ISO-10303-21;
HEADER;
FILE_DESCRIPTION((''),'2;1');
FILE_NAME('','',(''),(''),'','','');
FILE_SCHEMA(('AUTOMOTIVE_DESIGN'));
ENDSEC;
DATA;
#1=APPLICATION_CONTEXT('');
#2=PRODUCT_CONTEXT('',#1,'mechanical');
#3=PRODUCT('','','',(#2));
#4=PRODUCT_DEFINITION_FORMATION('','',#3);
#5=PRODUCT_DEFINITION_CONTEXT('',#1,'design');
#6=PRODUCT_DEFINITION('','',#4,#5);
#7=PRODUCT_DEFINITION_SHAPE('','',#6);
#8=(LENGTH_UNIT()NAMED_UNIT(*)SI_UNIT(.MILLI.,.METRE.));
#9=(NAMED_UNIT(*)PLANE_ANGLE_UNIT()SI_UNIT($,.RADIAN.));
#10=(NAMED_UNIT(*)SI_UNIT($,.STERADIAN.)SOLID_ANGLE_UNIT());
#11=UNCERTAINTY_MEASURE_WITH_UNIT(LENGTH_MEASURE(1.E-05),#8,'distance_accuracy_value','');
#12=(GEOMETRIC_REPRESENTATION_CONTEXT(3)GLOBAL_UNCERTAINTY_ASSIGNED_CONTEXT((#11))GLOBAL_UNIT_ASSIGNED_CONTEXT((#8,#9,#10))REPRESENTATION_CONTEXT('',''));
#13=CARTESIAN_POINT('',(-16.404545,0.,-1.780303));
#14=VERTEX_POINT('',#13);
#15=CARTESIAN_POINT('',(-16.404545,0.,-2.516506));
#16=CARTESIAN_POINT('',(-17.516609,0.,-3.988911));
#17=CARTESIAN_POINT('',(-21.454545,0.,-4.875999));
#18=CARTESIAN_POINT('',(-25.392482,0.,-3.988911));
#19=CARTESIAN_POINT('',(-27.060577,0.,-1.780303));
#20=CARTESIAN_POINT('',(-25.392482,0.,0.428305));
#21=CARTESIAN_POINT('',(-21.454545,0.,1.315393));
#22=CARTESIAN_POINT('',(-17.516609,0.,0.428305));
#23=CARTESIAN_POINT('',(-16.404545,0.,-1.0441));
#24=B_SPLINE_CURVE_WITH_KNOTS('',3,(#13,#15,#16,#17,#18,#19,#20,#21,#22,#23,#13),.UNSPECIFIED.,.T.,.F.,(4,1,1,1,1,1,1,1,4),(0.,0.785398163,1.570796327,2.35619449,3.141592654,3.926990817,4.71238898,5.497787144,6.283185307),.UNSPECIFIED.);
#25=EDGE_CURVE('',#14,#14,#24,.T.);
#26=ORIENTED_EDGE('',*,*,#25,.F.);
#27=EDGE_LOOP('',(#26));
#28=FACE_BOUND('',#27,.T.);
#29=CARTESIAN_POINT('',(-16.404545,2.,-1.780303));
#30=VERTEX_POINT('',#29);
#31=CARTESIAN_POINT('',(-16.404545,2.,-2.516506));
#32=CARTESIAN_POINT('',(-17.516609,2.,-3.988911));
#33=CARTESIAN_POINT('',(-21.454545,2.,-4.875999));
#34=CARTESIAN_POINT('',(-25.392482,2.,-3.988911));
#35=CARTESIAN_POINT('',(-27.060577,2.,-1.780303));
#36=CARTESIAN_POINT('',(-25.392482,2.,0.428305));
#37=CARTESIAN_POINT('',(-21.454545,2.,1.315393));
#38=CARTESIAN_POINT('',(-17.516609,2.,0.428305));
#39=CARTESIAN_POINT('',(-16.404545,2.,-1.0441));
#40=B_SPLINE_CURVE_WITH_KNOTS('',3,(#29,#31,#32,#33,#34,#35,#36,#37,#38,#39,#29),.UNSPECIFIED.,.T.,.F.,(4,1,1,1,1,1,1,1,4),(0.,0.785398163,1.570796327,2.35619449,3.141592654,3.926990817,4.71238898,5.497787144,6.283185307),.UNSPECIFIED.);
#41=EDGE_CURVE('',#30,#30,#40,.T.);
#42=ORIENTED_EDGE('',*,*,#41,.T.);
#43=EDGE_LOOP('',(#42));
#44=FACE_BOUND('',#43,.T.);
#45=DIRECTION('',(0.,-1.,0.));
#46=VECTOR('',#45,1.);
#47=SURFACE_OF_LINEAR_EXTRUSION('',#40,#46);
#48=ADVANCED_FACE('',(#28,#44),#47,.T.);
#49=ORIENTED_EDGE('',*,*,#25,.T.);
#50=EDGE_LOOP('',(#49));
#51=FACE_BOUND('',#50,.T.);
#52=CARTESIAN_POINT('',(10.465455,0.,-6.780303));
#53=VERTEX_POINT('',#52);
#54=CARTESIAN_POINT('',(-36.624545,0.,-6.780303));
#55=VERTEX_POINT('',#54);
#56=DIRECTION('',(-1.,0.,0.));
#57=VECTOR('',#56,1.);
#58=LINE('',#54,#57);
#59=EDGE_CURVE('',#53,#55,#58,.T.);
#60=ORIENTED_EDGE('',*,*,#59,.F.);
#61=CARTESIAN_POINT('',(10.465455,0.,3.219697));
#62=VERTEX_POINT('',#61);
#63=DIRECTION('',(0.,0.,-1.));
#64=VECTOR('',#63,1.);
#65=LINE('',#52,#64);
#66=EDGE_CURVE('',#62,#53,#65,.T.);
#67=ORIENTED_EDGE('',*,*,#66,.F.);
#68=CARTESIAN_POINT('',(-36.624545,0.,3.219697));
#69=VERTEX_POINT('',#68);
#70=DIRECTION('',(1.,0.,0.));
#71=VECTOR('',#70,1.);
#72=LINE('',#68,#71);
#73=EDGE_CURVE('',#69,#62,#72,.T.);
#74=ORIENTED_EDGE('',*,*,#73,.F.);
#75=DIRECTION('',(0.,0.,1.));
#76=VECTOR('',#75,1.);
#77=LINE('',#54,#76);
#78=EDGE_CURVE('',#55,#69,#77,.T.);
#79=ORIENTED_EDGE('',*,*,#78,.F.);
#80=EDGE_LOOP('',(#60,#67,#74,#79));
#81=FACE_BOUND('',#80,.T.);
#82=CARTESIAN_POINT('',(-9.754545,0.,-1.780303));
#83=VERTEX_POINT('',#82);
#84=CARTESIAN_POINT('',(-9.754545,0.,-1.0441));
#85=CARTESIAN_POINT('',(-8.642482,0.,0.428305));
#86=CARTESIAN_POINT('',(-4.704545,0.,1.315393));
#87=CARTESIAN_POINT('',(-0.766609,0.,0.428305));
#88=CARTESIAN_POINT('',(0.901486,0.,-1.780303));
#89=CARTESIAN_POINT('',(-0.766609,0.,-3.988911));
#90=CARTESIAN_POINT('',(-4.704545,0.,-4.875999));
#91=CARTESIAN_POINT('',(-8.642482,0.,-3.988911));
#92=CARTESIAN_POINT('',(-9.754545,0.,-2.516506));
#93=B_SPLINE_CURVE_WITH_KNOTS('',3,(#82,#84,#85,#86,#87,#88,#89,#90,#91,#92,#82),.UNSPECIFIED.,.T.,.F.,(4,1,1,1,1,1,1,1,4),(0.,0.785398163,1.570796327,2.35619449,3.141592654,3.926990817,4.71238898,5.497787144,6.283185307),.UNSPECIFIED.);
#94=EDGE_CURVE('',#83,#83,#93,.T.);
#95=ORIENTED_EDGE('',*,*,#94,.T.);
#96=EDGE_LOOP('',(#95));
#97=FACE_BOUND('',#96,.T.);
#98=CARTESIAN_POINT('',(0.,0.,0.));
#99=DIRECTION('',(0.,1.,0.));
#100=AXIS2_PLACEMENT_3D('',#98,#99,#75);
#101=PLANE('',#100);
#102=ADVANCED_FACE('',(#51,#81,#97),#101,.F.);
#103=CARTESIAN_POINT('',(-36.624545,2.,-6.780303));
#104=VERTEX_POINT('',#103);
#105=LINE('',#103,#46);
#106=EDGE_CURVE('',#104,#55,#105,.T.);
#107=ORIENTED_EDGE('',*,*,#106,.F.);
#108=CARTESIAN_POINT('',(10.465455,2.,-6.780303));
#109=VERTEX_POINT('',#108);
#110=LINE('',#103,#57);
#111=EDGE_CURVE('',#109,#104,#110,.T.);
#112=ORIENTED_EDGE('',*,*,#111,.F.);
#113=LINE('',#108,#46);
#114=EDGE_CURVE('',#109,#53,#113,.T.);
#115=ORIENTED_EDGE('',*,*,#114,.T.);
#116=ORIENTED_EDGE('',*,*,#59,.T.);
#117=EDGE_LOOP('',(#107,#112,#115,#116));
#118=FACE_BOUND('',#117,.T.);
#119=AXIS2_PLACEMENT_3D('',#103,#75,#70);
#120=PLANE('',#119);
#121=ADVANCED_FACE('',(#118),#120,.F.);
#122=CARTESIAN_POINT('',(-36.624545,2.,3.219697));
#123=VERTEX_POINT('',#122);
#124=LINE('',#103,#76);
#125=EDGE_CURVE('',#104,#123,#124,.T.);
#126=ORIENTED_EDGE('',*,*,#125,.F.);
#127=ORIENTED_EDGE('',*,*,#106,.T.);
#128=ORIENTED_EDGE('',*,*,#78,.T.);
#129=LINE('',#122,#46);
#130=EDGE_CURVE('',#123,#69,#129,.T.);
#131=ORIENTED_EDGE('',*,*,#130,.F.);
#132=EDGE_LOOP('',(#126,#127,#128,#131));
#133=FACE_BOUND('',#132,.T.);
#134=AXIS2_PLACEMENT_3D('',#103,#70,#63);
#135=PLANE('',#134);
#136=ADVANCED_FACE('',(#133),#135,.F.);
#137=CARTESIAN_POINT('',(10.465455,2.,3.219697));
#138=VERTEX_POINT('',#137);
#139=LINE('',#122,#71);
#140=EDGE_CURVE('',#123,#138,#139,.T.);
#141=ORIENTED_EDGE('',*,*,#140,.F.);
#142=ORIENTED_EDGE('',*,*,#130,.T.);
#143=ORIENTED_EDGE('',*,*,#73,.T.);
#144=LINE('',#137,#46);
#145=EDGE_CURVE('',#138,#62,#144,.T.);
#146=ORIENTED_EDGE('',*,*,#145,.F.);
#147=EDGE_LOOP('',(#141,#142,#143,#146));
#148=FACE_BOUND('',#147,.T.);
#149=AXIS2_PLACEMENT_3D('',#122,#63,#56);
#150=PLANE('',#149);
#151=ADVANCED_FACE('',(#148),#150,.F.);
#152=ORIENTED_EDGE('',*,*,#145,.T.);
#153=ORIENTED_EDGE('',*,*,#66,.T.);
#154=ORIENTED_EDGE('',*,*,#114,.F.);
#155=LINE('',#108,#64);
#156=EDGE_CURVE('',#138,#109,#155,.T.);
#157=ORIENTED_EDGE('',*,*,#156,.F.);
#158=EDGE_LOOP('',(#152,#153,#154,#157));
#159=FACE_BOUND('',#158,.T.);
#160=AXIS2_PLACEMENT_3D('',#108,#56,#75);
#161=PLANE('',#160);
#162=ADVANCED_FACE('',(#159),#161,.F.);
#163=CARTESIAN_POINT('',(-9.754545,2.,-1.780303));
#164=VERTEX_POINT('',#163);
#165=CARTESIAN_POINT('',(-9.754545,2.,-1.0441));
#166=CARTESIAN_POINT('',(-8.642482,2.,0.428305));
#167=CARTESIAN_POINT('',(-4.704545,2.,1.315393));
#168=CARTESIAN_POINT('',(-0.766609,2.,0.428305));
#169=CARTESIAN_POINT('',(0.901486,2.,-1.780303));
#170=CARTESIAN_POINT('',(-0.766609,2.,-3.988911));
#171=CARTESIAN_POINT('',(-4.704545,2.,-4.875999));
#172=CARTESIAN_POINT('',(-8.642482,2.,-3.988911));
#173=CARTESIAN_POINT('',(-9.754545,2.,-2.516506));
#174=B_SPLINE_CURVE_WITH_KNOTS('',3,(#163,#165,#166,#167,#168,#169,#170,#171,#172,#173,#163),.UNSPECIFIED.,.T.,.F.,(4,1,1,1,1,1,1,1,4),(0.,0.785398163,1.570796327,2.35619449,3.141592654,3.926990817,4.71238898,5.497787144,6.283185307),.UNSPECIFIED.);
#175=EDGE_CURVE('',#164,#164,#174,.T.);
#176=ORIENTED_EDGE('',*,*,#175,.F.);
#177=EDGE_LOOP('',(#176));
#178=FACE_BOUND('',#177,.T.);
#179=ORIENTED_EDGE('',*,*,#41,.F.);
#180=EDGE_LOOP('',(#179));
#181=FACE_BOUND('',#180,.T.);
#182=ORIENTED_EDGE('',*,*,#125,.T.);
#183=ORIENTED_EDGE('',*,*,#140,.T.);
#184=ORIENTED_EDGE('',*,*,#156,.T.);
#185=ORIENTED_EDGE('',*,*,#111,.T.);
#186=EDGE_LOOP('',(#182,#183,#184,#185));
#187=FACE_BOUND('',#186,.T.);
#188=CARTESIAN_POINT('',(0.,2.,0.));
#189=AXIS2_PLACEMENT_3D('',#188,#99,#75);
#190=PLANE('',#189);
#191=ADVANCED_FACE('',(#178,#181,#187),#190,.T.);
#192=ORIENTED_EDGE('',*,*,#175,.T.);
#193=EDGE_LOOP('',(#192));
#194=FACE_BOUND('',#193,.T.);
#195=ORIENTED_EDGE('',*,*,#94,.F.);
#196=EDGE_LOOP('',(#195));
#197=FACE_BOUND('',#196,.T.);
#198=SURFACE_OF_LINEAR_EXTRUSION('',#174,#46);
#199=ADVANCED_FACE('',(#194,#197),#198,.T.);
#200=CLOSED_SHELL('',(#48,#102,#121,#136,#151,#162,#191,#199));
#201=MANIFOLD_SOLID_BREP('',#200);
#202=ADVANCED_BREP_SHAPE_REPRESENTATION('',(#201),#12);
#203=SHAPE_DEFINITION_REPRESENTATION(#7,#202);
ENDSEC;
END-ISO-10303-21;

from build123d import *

# Parameters (mm, degrees)
SKETCH1_W           = 47.09
SKETCH1_H           = 10
BOSS_EXTRUDE1_DEPTH = 2


with BuildPart() as part:
    # Sketch1 → Boss-Extrude1 (new body)
    with BuildSketch(Plane(origin=(0, 0, 0), x_dir=(1, 0, 0), z_dir=(0, 1, 0))):
        with Locations((-13.079545455, 1.78030303)):
            Rectangle(SKETCH1_W, SKETCH1_H)
        with BuildLine():
            add(Edge.make_bspline(
                [(-9.754545455, 1.78030303), (-9.754545455, 1.044100491), (-8.642482329, -0.428304587), (-4.704545455, -1.315393161), (-0.76660858, -0.428304587), (0.901486108, 1.78030303), (-0.76660858, 3.988910648), (-4.704545455, 4.875999221), (-8.642482329, 3.988910648), (-9.754545455, 2.51650557), (-9.754545455, 1.78030303)],
                knots=[0, 0, 0, 0, 0.785398163, 1.570796327, 2.35619449, 3.141592654, 3.926990817, 4.71238898, 5.497787144, 6.283185307, 6.283185307, 6.283185307, 6.283185307], degree=3))
        make_face(mode=Mode.SUBTRACT)
        with BuildLine():
            add(Edge.make_bspline(
                [(-16.404545455, 1.78030303), (-16.404545455, 1.044100491), (-17.51660858, -0.428304587), (-21.454545455, -1.315393161), (-25.392482329, -0.428304587), (-27.060577017, 1.78030303), (-25.392482329, 3.988910648), (-21.454545455, 4.875999221), (-17.51660858, 3.988910648), (-16.404545455, 2.51650557), (-16.404545455, 1.78030303)],
                knots=[0, 0, 0, 0, 0.785398163, 1.570796327, 2.35619449, 3.141592654, 3.926990817, 4.71238898, 5.497787144, 6.283185307, 6.283185307, 6.283185307, 6.283185307], degree=3))
        make_face(mode=Mode.SUBTRACT)
    extrude(amount=BOSS_EXTRUDE1_DEPTH)


solid = part.part
